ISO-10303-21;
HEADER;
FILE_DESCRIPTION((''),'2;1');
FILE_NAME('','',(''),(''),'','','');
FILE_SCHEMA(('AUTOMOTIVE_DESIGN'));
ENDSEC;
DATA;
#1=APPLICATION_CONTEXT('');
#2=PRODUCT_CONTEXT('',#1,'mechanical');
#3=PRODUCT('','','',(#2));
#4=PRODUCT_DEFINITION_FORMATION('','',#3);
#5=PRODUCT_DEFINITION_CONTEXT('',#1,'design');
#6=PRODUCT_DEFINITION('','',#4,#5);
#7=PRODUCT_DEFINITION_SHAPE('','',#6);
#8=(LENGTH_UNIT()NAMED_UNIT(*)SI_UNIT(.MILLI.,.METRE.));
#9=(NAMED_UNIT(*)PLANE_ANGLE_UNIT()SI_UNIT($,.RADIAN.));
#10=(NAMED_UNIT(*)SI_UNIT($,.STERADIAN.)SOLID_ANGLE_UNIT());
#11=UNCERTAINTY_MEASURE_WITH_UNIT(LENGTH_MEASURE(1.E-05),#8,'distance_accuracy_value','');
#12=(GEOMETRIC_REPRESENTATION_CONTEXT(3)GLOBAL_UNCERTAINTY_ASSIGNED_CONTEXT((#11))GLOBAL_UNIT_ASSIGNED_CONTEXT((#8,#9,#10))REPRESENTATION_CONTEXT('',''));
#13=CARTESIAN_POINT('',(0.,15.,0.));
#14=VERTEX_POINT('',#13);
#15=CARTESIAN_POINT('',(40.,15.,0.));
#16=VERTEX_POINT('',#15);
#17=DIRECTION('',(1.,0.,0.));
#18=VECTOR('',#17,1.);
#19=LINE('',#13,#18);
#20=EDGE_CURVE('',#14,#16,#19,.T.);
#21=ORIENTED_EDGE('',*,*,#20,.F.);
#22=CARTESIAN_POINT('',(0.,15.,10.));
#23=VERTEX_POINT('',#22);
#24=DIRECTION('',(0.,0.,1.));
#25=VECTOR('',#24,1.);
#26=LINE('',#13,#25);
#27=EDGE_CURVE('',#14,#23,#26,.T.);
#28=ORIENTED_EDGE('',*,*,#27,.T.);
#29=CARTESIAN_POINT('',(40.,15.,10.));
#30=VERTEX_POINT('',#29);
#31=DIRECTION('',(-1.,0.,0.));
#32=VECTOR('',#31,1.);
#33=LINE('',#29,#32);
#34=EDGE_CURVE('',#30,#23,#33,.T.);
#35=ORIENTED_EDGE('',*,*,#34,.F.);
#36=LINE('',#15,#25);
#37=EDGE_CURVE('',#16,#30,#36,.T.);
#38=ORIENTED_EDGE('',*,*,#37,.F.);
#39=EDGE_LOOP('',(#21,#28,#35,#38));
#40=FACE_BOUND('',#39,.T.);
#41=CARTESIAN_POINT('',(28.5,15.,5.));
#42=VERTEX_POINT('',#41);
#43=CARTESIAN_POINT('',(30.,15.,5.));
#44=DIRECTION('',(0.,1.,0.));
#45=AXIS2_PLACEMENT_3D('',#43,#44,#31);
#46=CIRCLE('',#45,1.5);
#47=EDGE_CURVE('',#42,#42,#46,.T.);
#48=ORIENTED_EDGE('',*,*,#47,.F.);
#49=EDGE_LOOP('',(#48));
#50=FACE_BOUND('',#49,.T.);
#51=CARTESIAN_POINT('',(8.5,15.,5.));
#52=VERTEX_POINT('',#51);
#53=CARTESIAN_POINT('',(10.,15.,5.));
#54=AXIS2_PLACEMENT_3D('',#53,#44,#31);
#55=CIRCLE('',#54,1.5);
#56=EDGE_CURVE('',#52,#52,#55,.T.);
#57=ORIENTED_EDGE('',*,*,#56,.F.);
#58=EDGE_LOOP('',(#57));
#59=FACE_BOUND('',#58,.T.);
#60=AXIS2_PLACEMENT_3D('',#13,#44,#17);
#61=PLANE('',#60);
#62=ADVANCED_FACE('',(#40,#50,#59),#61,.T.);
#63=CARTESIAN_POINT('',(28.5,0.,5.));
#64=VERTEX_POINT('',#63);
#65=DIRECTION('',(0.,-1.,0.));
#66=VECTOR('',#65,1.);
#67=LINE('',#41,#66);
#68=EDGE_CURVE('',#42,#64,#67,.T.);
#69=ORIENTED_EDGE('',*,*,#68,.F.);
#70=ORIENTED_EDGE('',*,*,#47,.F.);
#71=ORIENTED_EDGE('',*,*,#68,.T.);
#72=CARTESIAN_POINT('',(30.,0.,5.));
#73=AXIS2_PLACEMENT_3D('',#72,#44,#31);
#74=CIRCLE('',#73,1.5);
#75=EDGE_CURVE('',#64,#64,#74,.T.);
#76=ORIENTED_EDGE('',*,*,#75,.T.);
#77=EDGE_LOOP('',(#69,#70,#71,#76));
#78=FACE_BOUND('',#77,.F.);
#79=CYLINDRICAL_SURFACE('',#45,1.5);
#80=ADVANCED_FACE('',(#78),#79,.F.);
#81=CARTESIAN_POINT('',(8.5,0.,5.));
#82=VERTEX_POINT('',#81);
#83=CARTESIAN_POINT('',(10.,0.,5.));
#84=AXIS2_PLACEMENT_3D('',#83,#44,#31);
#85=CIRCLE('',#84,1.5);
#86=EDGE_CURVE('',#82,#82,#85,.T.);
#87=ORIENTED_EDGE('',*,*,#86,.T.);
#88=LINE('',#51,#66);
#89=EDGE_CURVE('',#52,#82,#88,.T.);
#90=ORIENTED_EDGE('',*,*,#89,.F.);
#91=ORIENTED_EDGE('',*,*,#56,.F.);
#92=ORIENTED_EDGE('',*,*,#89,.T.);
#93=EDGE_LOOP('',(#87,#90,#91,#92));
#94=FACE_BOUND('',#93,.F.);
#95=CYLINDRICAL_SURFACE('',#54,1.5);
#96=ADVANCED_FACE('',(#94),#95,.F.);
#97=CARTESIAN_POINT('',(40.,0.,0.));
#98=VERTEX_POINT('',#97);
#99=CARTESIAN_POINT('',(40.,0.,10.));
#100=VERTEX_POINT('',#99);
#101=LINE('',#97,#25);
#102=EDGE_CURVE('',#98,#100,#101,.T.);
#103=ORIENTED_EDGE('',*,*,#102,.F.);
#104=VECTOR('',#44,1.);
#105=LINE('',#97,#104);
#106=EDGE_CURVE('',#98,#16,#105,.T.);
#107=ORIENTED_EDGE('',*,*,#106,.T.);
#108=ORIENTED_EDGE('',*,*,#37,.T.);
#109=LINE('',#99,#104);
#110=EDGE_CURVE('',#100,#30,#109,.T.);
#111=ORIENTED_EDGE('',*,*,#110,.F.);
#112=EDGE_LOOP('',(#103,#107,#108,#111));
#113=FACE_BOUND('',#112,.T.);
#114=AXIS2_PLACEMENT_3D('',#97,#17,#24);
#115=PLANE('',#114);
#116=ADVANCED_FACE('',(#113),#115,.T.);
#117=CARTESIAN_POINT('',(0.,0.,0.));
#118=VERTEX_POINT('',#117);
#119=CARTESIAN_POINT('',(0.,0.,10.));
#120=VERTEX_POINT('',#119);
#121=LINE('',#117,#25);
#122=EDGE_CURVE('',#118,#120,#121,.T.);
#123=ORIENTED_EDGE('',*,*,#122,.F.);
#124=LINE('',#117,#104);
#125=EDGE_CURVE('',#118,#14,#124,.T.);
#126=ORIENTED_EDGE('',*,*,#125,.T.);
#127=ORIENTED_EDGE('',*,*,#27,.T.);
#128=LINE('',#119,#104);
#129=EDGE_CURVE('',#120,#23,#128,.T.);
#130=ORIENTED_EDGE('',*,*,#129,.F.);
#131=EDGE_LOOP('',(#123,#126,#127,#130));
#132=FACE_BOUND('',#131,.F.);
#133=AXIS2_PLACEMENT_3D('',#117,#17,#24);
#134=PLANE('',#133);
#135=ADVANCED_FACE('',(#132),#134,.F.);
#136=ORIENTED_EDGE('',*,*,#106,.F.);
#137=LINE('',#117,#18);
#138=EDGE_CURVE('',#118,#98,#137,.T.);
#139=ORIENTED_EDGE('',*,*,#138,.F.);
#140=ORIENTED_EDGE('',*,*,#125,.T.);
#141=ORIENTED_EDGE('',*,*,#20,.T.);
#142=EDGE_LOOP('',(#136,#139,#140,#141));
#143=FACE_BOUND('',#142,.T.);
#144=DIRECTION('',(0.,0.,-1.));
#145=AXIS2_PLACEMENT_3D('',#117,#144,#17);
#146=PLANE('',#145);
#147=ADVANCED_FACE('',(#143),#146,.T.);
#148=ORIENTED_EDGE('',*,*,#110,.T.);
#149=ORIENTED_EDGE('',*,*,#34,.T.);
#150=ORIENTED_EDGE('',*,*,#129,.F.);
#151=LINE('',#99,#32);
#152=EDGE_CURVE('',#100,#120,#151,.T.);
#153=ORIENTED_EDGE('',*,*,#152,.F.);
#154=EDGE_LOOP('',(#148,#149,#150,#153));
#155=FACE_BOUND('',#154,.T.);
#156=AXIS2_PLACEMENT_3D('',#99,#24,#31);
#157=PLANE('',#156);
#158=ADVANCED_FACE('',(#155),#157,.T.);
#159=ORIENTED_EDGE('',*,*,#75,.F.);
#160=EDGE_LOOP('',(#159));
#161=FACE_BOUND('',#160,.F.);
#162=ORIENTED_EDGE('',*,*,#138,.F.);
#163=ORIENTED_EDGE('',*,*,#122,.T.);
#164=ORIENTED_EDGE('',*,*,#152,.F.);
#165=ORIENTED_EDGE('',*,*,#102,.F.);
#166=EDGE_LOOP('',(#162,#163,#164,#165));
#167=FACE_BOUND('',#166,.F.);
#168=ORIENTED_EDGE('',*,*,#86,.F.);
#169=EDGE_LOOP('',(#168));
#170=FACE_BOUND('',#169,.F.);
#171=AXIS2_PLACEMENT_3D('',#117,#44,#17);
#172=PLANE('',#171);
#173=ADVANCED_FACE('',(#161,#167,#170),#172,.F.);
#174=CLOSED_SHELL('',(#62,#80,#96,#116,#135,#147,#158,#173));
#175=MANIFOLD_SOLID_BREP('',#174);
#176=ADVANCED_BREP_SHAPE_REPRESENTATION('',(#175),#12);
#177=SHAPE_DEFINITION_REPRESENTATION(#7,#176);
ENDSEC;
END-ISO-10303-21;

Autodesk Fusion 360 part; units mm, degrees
sketch "Skizze1" plane through (0, 0, 0) normal (0, 1, 0) x (1, 0, 0)
  line L0 (0, 0) -> (40, 0)
  line L1 (40, 0) -> (40, -10)
  line L2 (40, -10) -> (0, -10)
  line L3 (0, 0) -> (0, -10)
extrude "Extrusion1" add sketch "Skizze1" along normal blind 15
sketch "Skizze2" plane through (0, 15, 0) normal (0, 1, 0) x (-1, 0, 0)
  line L0 (-40, 0) -> (0, 0)
  line L1 (0, 0) -> (0, 10)
  line L2 (0, 10) -> (-40, 10)
  line L3 (-40, 10) -> (-40, 0)
  line L4 (0, 0) -> (-10, 0)
  circle A0 centre (-10, 5) radius 1.5
  circle A1 centre (-30, 5) radius 1.5
  dimension "d3" = 3
  dimension "d4" = 3
extrude "Extrusion2" cut sketch "Skizze2" against normal blind 40 contours A0 | A1
